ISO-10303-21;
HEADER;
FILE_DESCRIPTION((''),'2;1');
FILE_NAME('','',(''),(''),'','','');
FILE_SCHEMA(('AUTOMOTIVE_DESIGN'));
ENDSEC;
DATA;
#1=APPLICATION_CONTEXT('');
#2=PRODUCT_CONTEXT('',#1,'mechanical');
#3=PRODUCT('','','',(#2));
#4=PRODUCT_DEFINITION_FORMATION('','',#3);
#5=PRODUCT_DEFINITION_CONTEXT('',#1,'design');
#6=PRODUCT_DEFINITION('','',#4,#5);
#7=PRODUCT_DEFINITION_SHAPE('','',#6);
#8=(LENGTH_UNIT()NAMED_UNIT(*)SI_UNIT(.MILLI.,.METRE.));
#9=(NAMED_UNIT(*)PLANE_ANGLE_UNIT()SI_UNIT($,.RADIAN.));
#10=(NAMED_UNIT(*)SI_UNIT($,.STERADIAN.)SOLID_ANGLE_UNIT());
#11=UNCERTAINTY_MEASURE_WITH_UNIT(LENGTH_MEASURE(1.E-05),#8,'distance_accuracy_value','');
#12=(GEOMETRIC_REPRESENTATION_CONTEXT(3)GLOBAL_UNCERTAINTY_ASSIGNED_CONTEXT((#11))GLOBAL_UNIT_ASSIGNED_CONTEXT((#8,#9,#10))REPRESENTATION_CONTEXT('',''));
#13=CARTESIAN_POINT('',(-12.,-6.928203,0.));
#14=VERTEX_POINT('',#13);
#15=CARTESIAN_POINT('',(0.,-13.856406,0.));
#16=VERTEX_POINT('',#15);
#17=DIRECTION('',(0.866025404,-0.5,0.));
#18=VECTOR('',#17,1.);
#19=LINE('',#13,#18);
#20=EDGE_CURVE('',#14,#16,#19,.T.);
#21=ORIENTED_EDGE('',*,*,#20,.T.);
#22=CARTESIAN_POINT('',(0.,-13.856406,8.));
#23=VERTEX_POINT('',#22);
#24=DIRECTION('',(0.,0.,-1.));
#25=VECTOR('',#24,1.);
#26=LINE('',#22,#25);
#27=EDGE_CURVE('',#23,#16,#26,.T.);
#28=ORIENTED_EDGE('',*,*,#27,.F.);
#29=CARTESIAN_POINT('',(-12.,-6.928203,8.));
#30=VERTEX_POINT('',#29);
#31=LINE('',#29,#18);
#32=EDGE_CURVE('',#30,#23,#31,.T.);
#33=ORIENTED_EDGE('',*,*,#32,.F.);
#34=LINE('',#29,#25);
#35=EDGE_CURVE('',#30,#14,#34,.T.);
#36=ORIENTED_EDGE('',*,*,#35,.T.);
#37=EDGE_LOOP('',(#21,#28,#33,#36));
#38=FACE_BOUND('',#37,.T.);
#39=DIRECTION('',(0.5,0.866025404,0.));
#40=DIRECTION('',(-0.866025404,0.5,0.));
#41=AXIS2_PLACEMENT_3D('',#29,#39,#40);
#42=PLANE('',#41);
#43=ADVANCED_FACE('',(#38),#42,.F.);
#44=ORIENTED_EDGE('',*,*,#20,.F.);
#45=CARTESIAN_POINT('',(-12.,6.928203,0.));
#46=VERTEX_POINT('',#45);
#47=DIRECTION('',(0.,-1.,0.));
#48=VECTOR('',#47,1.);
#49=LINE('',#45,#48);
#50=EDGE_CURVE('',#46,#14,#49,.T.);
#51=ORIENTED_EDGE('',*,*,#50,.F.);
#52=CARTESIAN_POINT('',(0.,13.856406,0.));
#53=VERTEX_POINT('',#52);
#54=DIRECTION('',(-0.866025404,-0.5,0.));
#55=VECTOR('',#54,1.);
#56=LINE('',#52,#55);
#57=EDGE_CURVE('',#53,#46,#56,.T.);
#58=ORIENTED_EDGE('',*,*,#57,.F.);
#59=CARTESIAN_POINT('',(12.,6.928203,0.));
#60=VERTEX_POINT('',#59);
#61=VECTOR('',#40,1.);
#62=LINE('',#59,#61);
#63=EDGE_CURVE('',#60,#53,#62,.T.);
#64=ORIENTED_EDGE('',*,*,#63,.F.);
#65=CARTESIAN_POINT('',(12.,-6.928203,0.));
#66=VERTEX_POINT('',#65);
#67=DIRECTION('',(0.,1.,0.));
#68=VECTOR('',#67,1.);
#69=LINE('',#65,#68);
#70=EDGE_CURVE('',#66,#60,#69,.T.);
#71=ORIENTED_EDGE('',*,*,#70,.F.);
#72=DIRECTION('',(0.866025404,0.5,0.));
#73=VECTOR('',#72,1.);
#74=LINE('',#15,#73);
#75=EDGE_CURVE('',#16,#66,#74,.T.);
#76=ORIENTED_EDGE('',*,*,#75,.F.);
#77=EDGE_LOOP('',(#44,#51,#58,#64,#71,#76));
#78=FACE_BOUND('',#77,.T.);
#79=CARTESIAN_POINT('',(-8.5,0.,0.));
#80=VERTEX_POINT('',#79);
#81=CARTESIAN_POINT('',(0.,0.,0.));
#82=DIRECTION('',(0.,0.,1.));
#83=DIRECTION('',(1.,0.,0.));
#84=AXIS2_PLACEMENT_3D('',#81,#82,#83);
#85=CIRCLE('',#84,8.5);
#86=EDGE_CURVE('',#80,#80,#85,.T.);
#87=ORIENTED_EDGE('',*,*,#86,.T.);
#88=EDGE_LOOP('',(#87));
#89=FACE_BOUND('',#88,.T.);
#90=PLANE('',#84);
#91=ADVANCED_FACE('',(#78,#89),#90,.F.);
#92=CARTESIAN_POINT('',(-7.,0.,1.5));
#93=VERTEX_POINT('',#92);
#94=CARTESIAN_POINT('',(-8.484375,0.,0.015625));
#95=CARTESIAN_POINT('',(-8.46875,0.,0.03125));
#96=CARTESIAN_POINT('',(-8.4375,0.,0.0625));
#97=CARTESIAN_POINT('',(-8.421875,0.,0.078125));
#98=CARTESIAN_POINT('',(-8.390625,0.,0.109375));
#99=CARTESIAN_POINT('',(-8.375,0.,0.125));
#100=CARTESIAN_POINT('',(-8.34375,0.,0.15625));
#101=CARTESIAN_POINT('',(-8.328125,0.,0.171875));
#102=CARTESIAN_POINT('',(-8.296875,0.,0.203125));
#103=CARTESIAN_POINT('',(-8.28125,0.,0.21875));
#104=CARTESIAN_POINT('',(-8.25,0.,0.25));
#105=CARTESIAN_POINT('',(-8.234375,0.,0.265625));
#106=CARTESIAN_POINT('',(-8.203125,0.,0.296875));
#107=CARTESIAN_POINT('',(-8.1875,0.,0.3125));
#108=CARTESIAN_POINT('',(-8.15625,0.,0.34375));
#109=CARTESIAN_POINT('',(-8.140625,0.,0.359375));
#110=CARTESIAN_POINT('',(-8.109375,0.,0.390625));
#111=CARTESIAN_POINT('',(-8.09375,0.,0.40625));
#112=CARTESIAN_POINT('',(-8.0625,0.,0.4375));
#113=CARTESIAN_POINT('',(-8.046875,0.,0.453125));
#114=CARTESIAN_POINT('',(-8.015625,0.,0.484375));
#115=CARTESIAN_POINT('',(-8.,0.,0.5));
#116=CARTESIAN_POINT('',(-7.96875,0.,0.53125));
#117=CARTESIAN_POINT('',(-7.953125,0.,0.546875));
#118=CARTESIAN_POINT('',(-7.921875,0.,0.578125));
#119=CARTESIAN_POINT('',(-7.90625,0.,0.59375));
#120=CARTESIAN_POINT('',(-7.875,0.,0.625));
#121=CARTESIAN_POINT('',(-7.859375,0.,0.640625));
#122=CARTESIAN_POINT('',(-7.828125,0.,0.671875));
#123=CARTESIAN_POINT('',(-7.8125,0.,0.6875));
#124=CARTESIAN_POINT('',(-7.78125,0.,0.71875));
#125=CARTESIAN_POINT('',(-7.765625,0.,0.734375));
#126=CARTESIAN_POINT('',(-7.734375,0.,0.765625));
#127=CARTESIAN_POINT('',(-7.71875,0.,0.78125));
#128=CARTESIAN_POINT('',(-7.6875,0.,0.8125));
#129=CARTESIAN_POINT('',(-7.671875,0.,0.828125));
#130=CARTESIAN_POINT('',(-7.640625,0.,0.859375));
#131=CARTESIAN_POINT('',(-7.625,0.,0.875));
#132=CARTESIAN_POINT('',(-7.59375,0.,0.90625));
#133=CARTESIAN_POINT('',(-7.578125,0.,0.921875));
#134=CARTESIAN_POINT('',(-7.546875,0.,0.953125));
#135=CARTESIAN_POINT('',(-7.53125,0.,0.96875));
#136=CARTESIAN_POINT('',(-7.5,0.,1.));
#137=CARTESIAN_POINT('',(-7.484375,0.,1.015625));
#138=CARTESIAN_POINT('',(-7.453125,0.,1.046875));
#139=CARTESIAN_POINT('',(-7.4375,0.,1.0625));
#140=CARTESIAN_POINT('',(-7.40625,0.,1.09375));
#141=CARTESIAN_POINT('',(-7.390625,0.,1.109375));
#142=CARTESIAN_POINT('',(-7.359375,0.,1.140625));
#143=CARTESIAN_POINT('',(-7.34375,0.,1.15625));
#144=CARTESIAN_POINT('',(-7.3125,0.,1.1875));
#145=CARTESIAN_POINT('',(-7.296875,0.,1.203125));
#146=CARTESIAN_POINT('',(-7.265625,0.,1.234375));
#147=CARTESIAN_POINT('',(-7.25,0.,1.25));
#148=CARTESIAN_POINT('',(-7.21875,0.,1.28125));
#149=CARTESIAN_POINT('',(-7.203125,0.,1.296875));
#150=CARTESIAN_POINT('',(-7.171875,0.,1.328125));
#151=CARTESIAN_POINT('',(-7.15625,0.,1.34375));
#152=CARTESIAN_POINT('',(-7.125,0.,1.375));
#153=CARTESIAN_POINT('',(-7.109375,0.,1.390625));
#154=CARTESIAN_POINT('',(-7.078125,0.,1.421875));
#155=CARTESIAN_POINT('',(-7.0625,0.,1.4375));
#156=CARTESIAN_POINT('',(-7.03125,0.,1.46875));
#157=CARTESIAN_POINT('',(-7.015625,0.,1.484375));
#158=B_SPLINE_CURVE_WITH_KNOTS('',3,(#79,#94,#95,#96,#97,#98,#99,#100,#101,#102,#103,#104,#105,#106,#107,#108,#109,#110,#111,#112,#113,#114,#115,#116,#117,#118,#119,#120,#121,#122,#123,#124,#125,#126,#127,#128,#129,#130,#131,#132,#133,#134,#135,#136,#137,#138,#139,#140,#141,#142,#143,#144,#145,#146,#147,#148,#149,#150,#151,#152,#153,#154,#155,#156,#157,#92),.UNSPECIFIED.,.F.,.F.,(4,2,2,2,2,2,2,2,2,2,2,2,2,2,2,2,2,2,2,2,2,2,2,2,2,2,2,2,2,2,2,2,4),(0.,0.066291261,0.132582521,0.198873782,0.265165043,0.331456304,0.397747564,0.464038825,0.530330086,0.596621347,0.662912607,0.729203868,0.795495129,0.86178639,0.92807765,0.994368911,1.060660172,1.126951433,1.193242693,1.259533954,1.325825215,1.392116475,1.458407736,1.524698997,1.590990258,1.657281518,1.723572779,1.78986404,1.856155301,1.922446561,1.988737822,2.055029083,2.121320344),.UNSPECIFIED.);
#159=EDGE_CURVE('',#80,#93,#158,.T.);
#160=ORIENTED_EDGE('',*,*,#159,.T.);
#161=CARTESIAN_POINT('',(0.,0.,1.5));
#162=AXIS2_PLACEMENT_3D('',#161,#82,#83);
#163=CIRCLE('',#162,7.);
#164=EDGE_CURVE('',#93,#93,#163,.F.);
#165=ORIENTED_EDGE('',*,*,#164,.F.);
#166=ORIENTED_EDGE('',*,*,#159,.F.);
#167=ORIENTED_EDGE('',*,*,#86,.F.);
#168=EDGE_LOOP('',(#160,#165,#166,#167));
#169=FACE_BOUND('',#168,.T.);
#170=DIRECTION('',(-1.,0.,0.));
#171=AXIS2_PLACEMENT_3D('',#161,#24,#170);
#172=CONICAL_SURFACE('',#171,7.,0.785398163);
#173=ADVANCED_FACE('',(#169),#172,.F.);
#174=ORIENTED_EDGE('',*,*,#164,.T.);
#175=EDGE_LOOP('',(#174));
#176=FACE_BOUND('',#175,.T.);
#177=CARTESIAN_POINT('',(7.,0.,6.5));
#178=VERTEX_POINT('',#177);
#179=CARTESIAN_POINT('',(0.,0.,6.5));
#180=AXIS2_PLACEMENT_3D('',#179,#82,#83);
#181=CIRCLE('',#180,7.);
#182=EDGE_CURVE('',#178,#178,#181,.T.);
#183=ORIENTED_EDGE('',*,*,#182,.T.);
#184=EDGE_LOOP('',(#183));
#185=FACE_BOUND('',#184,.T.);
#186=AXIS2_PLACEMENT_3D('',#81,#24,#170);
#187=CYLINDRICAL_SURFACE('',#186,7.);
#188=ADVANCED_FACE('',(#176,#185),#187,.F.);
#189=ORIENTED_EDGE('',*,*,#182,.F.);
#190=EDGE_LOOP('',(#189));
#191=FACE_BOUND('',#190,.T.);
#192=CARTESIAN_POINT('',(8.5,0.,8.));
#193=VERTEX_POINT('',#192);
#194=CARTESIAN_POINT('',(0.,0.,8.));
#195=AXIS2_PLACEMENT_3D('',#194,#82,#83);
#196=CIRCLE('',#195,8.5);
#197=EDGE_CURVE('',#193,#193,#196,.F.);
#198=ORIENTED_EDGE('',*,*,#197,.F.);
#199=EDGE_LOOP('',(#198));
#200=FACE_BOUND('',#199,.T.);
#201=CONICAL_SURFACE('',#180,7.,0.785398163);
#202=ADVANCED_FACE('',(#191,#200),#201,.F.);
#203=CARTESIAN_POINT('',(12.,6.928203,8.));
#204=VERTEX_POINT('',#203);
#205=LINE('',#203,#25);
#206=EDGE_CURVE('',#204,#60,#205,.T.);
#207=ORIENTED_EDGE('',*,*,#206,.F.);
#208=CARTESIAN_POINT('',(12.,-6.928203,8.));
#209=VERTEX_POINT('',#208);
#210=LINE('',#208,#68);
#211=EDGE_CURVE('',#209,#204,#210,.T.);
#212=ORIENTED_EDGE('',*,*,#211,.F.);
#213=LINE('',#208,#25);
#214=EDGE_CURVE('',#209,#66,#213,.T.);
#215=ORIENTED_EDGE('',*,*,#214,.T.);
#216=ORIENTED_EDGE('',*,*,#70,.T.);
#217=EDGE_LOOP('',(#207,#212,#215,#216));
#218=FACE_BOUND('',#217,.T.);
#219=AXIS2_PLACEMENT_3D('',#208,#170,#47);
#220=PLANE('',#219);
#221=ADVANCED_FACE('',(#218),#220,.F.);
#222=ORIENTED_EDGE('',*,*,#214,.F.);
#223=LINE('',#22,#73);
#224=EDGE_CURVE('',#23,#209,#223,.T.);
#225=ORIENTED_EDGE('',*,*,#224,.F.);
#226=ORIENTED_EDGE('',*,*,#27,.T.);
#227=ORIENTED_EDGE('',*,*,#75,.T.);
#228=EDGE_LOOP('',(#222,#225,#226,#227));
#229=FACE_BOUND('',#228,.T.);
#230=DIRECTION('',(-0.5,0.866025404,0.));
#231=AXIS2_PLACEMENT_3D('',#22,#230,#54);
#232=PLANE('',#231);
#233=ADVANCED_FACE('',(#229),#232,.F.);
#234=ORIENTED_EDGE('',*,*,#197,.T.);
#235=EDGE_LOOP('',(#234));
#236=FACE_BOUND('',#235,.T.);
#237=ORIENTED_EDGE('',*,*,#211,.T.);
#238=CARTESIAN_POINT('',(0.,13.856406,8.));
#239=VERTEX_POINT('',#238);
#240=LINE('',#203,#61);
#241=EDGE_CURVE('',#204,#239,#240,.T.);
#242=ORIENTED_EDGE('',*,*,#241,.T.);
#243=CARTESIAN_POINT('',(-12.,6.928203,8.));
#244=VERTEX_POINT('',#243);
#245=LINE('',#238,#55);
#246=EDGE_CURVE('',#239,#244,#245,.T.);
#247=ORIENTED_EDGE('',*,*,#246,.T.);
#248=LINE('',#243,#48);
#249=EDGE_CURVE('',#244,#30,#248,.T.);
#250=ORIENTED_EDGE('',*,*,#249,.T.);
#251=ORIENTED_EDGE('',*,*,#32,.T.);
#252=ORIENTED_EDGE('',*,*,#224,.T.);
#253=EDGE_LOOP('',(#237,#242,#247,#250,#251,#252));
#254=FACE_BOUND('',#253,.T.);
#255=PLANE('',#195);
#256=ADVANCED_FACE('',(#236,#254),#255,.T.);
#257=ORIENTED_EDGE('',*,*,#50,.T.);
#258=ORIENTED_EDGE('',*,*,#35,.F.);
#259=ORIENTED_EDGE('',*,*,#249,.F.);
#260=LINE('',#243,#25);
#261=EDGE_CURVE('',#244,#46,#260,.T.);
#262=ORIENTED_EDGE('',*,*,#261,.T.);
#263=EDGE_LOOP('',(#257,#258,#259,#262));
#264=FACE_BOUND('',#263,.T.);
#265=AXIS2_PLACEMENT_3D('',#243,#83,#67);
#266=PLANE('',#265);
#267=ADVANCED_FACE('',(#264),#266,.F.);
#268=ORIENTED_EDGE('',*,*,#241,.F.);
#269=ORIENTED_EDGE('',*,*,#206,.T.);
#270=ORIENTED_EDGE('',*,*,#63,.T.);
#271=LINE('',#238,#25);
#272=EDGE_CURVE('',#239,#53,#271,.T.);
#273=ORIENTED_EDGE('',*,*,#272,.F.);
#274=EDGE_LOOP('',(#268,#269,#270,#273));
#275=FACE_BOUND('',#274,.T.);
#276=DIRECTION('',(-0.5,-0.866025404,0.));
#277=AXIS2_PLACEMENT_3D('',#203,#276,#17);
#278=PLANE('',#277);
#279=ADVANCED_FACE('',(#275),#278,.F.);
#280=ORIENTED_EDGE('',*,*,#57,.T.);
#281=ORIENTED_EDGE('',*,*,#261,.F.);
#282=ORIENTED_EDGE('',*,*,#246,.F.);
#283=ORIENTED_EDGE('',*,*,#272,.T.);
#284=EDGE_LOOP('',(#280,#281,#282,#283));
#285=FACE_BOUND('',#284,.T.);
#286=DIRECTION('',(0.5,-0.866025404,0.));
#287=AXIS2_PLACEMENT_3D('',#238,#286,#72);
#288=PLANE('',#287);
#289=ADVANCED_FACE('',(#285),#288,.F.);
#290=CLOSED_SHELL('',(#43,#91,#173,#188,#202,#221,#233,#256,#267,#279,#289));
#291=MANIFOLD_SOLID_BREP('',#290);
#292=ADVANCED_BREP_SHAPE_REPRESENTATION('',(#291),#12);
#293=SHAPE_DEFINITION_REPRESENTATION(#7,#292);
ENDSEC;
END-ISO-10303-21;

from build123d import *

# Parameters (mm, degrees)
EXTRUDE_1_DEPTH    = 8
HOLE_WIZARD_M161_D = 14
CHAMFER_1_SIZE     = 1.5


with BuildPart() as part:
    # Эскиз1 → Бобышка-Вытянуть1 (new body)
    with BuildSketch(Plane.XY):
        Polygon((0, 13.856406461), (-12, 6.92820323), (-12, -6.92820323), (0, -13.856406461), (12, -6.92820323), (12, 6.92820323), align=None)
    extrude(amount=EXTRUDE_1_DEPTH)

    # Отверстие обработанное метчиком M161 (through all)
    with Locations(Plane(origin=(0, 0, 0), x_dir=(-1, 0, 0), z_dir=(0, 0, -1))):
        with Locations((0, 0)):
            Hole(HOLE_WIZARD_M161_D / 2)

    # Фаска1
    chamfer_1_edges = [part.edges().sort_by_distance(p)[0] for p in [
        (-7, 0, 0),
        (-7, 0, 8),
    ]]
    chamfer(chamfer_1_edges, length=CHAMFER_1_SIZE)


solid = part.part
